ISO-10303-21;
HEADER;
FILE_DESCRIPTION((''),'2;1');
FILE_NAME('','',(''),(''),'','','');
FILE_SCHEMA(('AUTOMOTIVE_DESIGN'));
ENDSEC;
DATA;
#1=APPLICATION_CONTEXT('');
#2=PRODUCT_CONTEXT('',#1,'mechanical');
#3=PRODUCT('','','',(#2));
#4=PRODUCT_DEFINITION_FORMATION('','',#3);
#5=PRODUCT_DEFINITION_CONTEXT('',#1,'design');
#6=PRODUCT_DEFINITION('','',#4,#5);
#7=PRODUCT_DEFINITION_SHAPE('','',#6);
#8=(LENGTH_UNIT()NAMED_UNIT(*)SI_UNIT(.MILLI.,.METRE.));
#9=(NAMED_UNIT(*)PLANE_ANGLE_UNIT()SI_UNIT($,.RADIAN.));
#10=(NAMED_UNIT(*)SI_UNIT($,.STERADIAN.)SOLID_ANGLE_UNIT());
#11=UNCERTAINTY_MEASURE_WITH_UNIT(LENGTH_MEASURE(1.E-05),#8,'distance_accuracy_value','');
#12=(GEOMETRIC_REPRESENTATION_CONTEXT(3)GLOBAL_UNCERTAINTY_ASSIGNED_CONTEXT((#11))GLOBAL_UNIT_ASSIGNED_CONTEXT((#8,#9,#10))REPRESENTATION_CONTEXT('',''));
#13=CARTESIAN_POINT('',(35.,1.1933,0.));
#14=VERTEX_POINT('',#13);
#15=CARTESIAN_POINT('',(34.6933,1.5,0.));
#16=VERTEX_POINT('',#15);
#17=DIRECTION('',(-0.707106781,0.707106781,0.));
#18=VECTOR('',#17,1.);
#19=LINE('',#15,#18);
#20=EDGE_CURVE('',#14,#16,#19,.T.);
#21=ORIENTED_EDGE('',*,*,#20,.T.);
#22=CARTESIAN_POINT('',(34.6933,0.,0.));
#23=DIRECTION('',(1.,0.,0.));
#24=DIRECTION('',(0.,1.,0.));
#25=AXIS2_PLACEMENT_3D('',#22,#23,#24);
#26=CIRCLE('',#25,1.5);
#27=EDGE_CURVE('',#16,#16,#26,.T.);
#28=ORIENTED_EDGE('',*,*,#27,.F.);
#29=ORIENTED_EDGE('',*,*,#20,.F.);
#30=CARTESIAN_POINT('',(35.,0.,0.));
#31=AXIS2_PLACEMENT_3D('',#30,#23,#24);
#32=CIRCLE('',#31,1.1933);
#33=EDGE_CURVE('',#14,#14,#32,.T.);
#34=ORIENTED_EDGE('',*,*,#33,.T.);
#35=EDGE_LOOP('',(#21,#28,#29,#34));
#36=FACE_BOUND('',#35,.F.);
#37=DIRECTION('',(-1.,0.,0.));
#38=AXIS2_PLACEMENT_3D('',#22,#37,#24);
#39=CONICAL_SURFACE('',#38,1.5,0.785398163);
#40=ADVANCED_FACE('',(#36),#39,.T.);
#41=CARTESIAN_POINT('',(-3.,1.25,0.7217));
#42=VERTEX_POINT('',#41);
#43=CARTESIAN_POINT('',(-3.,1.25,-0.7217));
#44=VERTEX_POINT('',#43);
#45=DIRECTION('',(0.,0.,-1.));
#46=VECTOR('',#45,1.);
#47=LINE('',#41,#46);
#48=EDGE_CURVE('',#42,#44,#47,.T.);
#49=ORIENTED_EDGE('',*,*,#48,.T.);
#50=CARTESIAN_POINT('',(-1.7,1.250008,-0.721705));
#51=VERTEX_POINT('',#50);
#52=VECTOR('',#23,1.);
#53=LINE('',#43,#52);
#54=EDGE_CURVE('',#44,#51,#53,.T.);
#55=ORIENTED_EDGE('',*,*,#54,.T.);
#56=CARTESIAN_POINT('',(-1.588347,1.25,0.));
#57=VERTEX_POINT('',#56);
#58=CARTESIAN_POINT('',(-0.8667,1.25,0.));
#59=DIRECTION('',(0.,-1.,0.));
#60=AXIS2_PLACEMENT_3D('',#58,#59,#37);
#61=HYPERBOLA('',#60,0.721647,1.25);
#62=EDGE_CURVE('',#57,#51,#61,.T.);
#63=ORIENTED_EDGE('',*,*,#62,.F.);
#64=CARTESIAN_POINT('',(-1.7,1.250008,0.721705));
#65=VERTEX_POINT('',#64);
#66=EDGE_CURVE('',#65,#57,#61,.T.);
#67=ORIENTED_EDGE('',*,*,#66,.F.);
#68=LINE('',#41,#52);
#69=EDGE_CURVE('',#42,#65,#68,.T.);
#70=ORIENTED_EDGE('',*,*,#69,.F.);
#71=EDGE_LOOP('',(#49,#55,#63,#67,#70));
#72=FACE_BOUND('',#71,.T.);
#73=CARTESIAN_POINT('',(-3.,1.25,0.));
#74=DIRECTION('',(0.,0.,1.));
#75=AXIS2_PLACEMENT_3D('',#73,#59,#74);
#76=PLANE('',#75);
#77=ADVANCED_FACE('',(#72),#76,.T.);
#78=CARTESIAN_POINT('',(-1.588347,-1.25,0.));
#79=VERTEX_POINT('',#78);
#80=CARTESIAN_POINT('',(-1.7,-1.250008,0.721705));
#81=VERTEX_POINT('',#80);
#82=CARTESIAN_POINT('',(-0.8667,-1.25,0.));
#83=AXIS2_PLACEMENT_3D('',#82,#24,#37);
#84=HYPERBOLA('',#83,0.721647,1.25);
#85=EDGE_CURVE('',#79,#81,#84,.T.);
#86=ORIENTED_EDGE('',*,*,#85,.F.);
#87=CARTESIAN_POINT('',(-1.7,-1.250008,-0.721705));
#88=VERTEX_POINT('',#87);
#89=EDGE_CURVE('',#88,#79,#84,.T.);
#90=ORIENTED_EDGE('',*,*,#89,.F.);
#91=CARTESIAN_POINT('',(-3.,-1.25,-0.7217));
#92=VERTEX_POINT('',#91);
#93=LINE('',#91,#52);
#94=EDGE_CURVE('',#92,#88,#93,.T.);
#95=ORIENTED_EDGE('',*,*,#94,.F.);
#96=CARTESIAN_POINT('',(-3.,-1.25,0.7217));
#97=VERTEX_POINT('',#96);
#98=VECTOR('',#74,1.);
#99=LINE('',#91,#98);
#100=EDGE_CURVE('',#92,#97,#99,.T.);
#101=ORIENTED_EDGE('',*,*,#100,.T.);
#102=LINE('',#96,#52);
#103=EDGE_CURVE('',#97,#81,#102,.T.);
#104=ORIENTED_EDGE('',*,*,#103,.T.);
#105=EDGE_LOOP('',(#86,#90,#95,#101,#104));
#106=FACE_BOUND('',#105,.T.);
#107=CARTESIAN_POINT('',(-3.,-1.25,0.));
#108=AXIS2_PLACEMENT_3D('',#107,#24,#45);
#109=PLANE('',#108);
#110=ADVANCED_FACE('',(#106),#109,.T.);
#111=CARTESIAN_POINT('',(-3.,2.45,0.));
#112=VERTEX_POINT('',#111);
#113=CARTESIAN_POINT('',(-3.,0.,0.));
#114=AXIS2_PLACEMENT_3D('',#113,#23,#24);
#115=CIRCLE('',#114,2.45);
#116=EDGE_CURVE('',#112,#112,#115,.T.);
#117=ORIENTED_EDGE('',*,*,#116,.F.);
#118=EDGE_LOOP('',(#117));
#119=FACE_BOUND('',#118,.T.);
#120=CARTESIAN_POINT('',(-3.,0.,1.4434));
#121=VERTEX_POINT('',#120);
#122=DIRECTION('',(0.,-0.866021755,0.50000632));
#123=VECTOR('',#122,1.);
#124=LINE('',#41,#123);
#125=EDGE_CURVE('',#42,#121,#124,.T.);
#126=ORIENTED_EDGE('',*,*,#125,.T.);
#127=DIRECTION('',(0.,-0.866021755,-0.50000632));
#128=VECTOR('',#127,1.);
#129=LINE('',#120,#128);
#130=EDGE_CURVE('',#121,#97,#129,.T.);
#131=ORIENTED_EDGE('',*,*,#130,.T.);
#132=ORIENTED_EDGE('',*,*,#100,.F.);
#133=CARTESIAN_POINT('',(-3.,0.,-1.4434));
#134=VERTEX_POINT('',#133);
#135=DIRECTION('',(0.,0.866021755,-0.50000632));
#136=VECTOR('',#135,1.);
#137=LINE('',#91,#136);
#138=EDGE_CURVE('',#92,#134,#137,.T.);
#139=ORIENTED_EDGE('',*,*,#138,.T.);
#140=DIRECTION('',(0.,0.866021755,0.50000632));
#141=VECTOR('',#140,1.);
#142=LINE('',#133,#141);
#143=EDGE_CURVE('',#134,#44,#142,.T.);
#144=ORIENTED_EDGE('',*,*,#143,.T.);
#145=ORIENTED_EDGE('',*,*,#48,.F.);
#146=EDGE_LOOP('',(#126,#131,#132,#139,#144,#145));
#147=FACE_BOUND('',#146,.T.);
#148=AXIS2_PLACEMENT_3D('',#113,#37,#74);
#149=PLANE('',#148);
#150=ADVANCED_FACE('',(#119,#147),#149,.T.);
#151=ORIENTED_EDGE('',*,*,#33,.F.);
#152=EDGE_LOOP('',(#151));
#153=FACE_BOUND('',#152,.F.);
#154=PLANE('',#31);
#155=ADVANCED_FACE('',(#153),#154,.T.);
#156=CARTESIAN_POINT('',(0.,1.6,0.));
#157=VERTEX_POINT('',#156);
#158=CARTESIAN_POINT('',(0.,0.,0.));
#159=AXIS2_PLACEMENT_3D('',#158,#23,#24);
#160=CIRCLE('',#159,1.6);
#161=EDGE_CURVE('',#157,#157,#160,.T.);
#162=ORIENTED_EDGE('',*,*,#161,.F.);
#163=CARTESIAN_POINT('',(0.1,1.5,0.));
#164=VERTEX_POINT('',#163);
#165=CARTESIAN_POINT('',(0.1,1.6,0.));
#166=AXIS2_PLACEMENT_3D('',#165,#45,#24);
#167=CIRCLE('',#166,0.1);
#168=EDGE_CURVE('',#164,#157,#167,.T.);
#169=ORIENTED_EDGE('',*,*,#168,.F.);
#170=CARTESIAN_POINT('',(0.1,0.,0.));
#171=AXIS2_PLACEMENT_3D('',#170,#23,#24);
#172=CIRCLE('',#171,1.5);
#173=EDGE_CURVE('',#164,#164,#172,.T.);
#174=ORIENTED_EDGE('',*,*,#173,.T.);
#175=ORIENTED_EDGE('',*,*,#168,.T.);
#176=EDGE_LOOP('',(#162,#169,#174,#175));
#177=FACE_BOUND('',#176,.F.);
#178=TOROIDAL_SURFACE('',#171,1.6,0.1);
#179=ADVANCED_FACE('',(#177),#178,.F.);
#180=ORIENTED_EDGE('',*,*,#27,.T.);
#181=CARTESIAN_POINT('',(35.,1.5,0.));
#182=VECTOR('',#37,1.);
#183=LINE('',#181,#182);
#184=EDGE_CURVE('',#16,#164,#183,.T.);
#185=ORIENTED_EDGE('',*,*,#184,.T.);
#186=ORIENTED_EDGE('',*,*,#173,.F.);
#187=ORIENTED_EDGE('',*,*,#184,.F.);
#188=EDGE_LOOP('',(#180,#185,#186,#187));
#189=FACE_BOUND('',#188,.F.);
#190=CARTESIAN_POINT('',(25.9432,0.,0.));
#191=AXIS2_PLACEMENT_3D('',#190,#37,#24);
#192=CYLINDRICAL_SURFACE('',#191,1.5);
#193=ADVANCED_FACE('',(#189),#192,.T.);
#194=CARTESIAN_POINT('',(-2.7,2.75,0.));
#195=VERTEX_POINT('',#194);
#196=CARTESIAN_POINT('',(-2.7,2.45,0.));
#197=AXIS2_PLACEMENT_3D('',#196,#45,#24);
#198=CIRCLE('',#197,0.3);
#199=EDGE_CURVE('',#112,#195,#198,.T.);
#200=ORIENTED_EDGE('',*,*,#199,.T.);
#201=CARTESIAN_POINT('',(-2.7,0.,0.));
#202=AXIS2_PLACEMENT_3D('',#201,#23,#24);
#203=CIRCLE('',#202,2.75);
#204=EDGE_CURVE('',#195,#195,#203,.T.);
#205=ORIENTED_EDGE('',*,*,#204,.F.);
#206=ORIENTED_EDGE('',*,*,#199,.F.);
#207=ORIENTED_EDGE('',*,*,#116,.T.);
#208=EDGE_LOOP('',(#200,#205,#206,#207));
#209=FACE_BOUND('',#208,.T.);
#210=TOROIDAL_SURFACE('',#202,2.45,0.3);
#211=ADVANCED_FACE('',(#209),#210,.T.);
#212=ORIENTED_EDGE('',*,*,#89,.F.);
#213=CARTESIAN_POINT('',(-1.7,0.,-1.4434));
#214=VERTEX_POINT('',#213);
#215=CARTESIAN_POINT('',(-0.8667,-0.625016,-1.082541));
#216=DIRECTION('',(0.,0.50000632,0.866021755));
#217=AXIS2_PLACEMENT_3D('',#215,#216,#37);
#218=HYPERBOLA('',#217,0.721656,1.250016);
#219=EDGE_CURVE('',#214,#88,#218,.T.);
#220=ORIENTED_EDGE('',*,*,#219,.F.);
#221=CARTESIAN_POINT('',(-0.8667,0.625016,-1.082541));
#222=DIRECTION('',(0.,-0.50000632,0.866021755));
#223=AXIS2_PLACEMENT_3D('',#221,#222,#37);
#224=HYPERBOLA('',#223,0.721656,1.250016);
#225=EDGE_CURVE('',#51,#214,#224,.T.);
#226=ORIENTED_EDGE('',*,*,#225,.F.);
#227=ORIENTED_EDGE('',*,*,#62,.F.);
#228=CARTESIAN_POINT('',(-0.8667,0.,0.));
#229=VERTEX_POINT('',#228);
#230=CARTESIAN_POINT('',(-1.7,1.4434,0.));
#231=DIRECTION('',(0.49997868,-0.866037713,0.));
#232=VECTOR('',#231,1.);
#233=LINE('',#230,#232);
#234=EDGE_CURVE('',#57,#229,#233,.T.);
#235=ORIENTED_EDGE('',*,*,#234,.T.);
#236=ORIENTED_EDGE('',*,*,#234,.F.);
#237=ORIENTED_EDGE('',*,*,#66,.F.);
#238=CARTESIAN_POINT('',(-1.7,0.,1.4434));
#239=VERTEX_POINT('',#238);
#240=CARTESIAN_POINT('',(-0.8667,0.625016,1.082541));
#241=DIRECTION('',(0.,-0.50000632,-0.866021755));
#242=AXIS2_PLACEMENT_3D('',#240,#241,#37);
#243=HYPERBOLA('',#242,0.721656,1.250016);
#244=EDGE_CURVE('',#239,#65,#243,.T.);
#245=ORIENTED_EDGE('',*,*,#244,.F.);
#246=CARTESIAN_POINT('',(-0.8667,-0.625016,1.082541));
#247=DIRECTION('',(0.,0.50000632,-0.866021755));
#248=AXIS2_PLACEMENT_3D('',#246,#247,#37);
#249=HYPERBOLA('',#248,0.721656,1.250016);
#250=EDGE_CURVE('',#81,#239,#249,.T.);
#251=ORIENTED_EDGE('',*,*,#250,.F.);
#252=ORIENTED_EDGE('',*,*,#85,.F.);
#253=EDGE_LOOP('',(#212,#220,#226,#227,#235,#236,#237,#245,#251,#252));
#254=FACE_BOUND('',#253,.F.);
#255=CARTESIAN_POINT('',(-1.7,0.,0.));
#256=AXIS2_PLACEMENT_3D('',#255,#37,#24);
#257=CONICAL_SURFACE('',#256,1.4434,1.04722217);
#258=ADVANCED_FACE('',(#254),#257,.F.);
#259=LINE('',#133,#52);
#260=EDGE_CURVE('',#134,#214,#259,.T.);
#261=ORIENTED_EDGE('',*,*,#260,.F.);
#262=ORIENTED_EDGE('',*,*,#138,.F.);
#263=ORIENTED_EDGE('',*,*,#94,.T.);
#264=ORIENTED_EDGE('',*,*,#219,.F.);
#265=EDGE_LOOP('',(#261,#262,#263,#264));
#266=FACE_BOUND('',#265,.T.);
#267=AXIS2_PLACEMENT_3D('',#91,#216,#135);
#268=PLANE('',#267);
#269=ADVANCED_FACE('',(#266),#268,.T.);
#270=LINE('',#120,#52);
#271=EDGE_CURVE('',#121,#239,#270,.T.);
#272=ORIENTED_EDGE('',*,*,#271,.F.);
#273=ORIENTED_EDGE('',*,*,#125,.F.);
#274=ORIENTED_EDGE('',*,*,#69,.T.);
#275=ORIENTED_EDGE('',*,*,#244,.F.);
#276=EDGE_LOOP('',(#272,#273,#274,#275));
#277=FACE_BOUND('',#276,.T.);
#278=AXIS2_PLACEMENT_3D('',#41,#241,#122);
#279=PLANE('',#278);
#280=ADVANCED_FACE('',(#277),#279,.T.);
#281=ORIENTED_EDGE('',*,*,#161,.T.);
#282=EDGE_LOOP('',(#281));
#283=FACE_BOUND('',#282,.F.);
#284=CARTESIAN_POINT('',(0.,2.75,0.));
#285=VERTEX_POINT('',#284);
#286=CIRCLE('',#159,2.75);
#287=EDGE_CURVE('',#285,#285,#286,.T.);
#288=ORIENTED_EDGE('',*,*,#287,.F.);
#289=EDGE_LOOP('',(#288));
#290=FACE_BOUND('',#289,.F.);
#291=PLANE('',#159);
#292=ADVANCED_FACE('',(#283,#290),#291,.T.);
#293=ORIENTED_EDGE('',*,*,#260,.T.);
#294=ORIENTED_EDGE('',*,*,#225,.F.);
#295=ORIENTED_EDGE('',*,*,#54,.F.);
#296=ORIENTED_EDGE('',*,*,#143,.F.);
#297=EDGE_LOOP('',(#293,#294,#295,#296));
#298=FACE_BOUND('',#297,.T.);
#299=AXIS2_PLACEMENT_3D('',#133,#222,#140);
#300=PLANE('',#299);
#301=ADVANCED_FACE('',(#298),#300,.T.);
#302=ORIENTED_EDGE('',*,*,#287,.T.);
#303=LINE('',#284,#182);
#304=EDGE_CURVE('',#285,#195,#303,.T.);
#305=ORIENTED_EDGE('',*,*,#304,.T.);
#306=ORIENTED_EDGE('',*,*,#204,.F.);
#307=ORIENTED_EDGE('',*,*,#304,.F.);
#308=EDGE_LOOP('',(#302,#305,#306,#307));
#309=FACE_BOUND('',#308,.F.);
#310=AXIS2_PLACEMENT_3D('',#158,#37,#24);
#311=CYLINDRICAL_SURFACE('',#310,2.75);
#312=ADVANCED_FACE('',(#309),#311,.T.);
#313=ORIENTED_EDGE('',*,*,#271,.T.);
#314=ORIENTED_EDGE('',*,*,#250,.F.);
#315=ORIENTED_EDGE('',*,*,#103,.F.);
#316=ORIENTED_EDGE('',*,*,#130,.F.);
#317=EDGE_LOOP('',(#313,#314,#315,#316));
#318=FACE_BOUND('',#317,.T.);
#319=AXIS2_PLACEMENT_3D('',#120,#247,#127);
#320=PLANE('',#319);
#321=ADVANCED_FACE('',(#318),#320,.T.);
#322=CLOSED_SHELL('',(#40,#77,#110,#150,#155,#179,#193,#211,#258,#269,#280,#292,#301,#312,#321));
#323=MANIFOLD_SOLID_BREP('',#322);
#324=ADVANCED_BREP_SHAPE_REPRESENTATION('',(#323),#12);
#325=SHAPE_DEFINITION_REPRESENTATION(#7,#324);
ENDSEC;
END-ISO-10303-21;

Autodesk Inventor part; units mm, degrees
ref_plane "YZ Plane" through (0, 0, 0) normal (1, 0, 0) x (0, 1, 0)
ref_plane "XZ Plane" through (0, 0, 0) normal (0, 1, 0) x (-1, 0, 0)
sketch "Sketch1" plane through (0, 0, 0) normal (0, 0, 1) x (1, 0, 0)
  line L0 (-0.8667, 0) -> (35, 0)
  line L1 (35, 0) -> (35, 1.5)
  line L2 (35, 1.5) -> (26.25, 1.5)
  line L3 (26.25, 1.5) -> (25.9432, 1.5)
  line L4 (25.9432, 1.5) -> (0, 1.5)
  line L5 (0, 1.5) -> (0, 2.75)
  line L6 (0, 2.75) -> (-3, 2.75)
  line L7 (-3, 2.75) -> (-3, 1.4434)
  line L8 (-3, 1.4434) -> (-1.7, 1.4434)
  line L9 (-1.7, 1.4434) -> (-0.8667, 0)
  line L10 (-11.6, 0) -> (48.6, 0) projected
  line L11 (0, -0.55) -> (0, 3.3) projected
  line L12 (26.25, 1.5) -> (0, 1.5) construction
  dimension "d1" = 8.75
  dimension "d2" = 0.3068
  dimension "d3" = 3
  dimension "d4" = 1.3
  dimension "d5" = 60
  dimension "d6" = 3
  dimension "d7" = 3
  dimension "d8" = 2.8868
  dimension "d9" = 5.5
  dimension "d26" = 35
revolve "Body" add sketch "Sketch1" angle 360 about axis through (-0.8667, 0, 0) along (1, 0, 0)
sketch "Sketch2" plane through (-3, 0, 0) normal (-1, 0, 0) x (0, 0, 1)
  circle A0 centre (0, 0) radius 1.4434 projected
  line L0 (0, -3.85) -> (0, 3.85) projected
  line L1 (-3.85, 0) -> (3.85, 0) projected
  line L2 (1.4434, 0) -> (0.7217, -1.25)
  line L3 (0.7217, -1.25) -> (-0.7217, -1.25)
  line L4 (-0.7217, -1.25) -> (-1.4434, 0)
  line L5 (-1.4434, 0) -> (-0.7217, 1.25)
  line L6 (-0.7217, 1.25) -> (0.7217, 1.25)
  line L7 (0.7217, 1.25) -> (1.4434, 0)
extrude "Slot" add sketch "Sketch2" against normal up to next contours L7 A0 | A0 L2 | L6 L0 A0 | A0 L0 L3 | L0 L6 A0 | A0 L3 L0 | L4 A0 | A0 L5
fillet "Fillet1" radius 0.3 1 edges at (-3, -2.75, 0)
thread "Thread" size "M3x0.5" class "6g" standard "ISO Metric profile" length 15
chamfer "Chamfer1" distance 0.3067 distance2 0.3067 1 edges at (35, -1.5, 0) measured on face at (35, -0.8773, -0.3972)
ref_plane "Work Plane1" through (29, 0, 0) normal (0, -1, 0) x (1, 0, 0)
fillet "Fillet2" radius 0.1 1 edges at (0, -1.5, 0)
equation "\"d1\" = GEL"
equation "\"d3\" = KOH"
equation "\"d4\" = INTI"
equation "\"d6\" = GD"
equation "\"d7\" = BDM"
equation "\"d8\" = 1.1547 * SW"
equation "\"d9\" = KOD"
equation "\"d17\" = RR"
equation "\"d15\" = -0.5 * SPD + 0.5 * GD"
equation "\"d16\" = GUL"
equation "\"d30\" = R"
equation "\"GD\" = NND"
equation "\"GEL\" = 8.75"
equation "\"KOD\" = 5.5"
equation "\"KOH\" = 3"
equation "\"INTI\" = 1.3"
equation "\"GAL\" = 0.61345 * PTC"
equation "\"GUL\" = 0.61345 * PTC"
equation "\"BDM\" = NND"
equation "\"SW\" = 2.5"
equation "\"RR\" = 0.3"
equation "\"SPD\" = NND - 1.2269 * PTC"
equation "\"R\" = 0.1"
equation "\"TOA\" = 30deg"
equation "\"GD1\" = THREADDIA - 1.2269 * PTC"
equation "\"THREADDIA\" = 3"
equation "\"FAWI\" = 45deg"
equation "\"ANG\" = 120deg"
equation "\"PTC\" = 0.5"
equation "\"NND\" = 3"
equation "\"E0\" = 1.155 * SW"
properties part number "CF-TOR-0001" material "Acero dulce"
